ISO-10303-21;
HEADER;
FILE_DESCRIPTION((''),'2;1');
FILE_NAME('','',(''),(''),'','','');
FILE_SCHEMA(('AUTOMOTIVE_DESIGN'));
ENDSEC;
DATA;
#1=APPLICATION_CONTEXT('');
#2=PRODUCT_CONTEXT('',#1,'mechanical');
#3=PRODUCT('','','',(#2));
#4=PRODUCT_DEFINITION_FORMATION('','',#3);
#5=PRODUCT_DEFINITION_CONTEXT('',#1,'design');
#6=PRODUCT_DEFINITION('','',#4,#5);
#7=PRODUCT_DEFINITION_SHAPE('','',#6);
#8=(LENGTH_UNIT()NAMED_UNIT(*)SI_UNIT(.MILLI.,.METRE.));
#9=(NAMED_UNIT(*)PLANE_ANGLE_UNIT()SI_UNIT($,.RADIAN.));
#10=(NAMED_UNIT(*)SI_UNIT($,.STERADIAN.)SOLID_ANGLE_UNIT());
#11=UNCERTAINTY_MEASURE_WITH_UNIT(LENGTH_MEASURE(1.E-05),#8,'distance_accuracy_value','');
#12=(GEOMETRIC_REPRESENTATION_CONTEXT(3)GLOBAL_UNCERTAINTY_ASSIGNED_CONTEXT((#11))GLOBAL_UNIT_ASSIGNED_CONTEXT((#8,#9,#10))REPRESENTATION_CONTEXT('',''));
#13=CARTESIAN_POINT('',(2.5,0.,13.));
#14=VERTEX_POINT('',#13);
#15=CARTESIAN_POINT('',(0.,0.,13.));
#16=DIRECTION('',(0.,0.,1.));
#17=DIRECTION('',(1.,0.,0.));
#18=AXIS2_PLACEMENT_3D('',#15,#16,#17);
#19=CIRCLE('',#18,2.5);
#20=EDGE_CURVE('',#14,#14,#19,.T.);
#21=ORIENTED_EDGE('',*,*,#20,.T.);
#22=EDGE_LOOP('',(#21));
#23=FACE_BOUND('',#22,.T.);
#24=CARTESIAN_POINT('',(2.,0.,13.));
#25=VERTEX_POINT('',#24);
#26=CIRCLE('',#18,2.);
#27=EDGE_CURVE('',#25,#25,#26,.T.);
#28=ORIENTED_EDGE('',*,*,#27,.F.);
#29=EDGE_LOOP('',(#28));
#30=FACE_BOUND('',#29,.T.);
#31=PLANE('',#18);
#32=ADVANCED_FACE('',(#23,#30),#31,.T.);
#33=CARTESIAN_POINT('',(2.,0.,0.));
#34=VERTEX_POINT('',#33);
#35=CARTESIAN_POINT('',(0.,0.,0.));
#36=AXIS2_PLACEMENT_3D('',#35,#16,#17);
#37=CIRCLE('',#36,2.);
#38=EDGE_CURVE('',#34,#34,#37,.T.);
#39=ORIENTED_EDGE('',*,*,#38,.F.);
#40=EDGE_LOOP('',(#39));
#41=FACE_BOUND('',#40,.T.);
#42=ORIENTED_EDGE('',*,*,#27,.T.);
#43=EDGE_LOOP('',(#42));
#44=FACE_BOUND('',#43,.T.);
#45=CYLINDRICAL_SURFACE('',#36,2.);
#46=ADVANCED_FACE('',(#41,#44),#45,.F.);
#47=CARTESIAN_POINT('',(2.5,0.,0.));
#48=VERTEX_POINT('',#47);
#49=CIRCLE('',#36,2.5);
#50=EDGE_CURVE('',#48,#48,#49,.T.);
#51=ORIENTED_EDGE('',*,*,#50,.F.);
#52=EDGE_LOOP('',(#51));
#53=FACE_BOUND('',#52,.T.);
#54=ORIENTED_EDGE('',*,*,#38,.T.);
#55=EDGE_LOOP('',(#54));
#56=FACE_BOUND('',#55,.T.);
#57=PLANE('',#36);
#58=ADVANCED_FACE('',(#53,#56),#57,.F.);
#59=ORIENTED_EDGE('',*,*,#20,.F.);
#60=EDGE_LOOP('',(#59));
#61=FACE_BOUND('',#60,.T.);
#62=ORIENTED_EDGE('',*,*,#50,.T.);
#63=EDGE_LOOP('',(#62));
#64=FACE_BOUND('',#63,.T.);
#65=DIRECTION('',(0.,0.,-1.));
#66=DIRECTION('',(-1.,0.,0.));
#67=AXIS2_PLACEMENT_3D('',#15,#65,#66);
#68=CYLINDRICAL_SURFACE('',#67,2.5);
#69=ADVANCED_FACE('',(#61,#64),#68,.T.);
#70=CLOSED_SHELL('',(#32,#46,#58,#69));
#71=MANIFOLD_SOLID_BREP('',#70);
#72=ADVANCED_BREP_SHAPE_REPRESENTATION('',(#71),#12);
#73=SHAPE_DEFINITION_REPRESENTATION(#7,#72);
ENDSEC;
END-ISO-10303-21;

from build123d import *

# Parameters (mm, degrees)
SKETCH1_R           = 2.5
BOSS_EXTRUDE1_DEPTH = 13
SKETCH2_R           = 2
CUT_EXTRUDE1_DEPTH  = 14


with BuildPart() as part:
    # Sketch1 → Boss-Extrude1 (new body)
    with BuildSketch(Plane.XY):
        Circle(SKETCH1_R)
    extrude(amount=BOSS_EXTRUDE1_DEPTH)

    # Sketch2 → Cut-Extrude1 (cut, through all)
    with BuildSketch(Plane.XY.offset(13)):
        Circle(SKETCH2_R)
    extrude(amount=-CUT_EXTRUDE1_DEPTH, mode=Mode.SUBTRACT)


solid = part.part
